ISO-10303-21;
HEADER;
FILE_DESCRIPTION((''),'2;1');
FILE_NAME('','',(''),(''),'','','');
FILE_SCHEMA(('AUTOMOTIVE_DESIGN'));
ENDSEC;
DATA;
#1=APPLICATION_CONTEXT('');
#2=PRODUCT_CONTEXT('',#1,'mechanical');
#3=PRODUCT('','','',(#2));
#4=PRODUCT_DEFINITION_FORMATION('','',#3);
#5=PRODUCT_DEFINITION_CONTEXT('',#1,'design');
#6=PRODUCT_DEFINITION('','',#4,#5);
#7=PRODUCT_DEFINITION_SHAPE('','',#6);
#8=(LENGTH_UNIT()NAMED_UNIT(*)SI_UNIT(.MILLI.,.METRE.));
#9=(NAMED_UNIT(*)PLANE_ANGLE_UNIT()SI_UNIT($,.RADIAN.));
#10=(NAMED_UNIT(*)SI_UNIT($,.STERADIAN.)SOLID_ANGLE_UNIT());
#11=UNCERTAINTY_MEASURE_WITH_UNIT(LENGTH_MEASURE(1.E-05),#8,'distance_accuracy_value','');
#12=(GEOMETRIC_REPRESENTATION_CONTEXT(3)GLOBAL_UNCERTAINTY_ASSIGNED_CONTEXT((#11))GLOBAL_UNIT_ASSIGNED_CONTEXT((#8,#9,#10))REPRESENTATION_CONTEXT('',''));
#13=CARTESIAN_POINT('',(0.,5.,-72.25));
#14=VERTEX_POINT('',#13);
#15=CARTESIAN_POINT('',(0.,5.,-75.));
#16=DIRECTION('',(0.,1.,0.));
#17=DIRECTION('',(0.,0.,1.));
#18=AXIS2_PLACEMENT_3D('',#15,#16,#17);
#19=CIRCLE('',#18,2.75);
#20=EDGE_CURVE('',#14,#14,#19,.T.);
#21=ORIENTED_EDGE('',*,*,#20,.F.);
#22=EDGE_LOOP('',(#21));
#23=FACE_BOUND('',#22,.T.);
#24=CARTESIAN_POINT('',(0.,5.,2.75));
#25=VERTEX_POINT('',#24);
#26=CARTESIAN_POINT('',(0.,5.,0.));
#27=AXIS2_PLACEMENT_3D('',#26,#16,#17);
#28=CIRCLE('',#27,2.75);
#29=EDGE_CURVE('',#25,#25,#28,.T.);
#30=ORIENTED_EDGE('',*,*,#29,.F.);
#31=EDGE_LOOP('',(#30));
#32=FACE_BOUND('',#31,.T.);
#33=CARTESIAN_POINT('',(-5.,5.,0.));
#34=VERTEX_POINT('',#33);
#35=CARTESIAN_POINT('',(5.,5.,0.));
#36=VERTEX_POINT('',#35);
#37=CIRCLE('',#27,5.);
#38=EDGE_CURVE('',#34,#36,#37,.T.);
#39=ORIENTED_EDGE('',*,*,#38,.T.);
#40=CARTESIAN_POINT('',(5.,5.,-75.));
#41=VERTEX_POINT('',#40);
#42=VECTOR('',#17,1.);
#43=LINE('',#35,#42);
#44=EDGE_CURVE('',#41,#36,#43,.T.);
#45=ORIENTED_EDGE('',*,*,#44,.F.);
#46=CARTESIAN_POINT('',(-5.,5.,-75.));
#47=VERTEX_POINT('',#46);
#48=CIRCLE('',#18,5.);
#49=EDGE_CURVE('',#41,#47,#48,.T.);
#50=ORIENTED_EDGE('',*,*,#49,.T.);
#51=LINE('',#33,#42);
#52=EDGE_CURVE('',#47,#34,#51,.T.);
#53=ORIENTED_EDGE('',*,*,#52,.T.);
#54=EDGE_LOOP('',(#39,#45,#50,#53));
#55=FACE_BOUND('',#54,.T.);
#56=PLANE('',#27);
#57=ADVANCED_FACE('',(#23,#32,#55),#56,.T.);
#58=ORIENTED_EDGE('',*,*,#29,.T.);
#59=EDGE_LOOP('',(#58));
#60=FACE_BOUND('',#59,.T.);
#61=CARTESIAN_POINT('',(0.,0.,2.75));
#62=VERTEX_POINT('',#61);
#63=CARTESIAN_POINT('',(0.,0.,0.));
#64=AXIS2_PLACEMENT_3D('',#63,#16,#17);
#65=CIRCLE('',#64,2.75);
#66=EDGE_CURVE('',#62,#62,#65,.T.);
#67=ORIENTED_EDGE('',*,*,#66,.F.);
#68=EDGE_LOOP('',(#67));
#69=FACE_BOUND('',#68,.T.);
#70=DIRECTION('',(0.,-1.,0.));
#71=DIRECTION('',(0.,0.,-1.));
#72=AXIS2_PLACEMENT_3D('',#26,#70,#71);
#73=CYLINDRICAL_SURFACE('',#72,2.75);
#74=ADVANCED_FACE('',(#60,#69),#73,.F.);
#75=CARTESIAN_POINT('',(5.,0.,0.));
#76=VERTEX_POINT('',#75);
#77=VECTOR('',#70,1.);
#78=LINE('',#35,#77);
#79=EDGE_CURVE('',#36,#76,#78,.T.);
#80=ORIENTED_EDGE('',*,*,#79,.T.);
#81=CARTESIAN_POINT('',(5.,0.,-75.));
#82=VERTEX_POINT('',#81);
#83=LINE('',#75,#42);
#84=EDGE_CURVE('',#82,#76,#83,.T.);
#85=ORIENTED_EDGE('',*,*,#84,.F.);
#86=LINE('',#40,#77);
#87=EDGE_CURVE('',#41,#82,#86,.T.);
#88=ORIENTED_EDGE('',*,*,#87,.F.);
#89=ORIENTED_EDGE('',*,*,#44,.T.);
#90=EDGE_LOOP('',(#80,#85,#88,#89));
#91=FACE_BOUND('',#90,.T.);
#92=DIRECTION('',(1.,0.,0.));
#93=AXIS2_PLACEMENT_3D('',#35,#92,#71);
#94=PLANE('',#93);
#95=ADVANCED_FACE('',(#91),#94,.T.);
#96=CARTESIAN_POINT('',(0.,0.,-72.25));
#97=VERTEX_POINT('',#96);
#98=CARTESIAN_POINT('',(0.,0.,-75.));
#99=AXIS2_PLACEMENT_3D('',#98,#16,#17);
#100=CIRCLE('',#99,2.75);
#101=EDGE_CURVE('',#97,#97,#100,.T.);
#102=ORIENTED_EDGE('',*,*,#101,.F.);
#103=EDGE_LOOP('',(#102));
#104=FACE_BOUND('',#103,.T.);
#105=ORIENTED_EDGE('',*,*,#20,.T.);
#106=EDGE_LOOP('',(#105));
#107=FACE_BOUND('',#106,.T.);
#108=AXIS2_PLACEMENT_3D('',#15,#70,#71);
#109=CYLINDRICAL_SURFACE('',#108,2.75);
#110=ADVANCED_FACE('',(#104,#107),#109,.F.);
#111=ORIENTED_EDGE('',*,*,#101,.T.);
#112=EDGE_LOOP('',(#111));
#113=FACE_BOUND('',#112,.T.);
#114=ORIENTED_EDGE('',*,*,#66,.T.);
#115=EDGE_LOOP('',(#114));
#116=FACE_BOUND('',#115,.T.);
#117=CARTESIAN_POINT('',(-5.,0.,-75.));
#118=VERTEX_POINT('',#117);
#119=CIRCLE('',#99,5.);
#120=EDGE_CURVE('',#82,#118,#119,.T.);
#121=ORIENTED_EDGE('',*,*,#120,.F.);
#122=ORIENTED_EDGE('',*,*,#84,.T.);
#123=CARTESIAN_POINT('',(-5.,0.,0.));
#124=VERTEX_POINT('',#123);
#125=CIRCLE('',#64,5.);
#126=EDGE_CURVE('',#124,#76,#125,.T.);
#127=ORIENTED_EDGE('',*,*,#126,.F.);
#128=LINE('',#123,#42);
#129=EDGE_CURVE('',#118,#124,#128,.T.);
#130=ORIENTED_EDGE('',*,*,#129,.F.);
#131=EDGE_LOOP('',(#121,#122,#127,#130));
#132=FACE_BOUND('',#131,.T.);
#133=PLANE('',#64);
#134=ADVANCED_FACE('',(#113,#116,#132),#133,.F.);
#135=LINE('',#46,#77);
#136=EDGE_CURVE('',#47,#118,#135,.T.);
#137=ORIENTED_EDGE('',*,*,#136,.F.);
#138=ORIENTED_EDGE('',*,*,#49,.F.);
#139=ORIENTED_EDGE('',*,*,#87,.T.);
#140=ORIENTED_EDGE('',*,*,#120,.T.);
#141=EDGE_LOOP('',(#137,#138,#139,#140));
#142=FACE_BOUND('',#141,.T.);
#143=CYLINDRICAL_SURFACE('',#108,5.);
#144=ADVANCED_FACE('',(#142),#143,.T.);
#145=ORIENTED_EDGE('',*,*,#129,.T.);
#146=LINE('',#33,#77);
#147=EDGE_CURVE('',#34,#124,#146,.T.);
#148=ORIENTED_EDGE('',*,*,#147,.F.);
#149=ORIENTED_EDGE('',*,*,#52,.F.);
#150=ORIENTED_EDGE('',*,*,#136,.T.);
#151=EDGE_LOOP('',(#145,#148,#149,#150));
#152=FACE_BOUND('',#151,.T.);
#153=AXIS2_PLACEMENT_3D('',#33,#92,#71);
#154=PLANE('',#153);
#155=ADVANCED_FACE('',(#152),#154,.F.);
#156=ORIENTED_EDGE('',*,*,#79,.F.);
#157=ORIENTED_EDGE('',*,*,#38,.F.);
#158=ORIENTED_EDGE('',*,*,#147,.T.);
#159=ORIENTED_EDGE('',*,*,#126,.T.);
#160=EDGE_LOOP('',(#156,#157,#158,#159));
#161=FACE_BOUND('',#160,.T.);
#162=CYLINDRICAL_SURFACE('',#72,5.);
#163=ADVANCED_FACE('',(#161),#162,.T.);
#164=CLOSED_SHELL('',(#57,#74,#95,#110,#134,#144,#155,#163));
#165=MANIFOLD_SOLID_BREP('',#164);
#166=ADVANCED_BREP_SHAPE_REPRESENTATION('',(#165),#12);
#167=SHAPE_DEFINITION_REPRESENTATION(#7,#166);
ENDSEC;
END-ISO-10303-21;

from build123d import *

# Parameters (mm, degrees)
SKETCH1_R           = 2.75
BOSS_EXTRUDE1_DEPTH = 5


with BuildPart() as part:
    # Sketch1 → Boss-Extrude1 (new body)
    with BuildSketch(Plane(origin=(0, 0, 0), x_dir=(1, 0, 0), z_dir=(0, 1, 0))):
        with BuildLine():
            Line((5, 75), (5, 0))
            ThreePointArc((5, 0), (0, -5), (-5, 0))
            Line((-5, 0), (-5, 75))
            ThreePointArc((-5, 75), (0, 80), (5, 75))
        make_face()
        with Locations((0, 75)):
            Circle(SKETCH1_R, mode=Mode.SUBTRACT)
        Circle(SKETCH1_R, mode=Mode.SUBTRACT)
    extrude(amount=BOSS_EXTRUDE1_DEPTH)


solid = part.part
